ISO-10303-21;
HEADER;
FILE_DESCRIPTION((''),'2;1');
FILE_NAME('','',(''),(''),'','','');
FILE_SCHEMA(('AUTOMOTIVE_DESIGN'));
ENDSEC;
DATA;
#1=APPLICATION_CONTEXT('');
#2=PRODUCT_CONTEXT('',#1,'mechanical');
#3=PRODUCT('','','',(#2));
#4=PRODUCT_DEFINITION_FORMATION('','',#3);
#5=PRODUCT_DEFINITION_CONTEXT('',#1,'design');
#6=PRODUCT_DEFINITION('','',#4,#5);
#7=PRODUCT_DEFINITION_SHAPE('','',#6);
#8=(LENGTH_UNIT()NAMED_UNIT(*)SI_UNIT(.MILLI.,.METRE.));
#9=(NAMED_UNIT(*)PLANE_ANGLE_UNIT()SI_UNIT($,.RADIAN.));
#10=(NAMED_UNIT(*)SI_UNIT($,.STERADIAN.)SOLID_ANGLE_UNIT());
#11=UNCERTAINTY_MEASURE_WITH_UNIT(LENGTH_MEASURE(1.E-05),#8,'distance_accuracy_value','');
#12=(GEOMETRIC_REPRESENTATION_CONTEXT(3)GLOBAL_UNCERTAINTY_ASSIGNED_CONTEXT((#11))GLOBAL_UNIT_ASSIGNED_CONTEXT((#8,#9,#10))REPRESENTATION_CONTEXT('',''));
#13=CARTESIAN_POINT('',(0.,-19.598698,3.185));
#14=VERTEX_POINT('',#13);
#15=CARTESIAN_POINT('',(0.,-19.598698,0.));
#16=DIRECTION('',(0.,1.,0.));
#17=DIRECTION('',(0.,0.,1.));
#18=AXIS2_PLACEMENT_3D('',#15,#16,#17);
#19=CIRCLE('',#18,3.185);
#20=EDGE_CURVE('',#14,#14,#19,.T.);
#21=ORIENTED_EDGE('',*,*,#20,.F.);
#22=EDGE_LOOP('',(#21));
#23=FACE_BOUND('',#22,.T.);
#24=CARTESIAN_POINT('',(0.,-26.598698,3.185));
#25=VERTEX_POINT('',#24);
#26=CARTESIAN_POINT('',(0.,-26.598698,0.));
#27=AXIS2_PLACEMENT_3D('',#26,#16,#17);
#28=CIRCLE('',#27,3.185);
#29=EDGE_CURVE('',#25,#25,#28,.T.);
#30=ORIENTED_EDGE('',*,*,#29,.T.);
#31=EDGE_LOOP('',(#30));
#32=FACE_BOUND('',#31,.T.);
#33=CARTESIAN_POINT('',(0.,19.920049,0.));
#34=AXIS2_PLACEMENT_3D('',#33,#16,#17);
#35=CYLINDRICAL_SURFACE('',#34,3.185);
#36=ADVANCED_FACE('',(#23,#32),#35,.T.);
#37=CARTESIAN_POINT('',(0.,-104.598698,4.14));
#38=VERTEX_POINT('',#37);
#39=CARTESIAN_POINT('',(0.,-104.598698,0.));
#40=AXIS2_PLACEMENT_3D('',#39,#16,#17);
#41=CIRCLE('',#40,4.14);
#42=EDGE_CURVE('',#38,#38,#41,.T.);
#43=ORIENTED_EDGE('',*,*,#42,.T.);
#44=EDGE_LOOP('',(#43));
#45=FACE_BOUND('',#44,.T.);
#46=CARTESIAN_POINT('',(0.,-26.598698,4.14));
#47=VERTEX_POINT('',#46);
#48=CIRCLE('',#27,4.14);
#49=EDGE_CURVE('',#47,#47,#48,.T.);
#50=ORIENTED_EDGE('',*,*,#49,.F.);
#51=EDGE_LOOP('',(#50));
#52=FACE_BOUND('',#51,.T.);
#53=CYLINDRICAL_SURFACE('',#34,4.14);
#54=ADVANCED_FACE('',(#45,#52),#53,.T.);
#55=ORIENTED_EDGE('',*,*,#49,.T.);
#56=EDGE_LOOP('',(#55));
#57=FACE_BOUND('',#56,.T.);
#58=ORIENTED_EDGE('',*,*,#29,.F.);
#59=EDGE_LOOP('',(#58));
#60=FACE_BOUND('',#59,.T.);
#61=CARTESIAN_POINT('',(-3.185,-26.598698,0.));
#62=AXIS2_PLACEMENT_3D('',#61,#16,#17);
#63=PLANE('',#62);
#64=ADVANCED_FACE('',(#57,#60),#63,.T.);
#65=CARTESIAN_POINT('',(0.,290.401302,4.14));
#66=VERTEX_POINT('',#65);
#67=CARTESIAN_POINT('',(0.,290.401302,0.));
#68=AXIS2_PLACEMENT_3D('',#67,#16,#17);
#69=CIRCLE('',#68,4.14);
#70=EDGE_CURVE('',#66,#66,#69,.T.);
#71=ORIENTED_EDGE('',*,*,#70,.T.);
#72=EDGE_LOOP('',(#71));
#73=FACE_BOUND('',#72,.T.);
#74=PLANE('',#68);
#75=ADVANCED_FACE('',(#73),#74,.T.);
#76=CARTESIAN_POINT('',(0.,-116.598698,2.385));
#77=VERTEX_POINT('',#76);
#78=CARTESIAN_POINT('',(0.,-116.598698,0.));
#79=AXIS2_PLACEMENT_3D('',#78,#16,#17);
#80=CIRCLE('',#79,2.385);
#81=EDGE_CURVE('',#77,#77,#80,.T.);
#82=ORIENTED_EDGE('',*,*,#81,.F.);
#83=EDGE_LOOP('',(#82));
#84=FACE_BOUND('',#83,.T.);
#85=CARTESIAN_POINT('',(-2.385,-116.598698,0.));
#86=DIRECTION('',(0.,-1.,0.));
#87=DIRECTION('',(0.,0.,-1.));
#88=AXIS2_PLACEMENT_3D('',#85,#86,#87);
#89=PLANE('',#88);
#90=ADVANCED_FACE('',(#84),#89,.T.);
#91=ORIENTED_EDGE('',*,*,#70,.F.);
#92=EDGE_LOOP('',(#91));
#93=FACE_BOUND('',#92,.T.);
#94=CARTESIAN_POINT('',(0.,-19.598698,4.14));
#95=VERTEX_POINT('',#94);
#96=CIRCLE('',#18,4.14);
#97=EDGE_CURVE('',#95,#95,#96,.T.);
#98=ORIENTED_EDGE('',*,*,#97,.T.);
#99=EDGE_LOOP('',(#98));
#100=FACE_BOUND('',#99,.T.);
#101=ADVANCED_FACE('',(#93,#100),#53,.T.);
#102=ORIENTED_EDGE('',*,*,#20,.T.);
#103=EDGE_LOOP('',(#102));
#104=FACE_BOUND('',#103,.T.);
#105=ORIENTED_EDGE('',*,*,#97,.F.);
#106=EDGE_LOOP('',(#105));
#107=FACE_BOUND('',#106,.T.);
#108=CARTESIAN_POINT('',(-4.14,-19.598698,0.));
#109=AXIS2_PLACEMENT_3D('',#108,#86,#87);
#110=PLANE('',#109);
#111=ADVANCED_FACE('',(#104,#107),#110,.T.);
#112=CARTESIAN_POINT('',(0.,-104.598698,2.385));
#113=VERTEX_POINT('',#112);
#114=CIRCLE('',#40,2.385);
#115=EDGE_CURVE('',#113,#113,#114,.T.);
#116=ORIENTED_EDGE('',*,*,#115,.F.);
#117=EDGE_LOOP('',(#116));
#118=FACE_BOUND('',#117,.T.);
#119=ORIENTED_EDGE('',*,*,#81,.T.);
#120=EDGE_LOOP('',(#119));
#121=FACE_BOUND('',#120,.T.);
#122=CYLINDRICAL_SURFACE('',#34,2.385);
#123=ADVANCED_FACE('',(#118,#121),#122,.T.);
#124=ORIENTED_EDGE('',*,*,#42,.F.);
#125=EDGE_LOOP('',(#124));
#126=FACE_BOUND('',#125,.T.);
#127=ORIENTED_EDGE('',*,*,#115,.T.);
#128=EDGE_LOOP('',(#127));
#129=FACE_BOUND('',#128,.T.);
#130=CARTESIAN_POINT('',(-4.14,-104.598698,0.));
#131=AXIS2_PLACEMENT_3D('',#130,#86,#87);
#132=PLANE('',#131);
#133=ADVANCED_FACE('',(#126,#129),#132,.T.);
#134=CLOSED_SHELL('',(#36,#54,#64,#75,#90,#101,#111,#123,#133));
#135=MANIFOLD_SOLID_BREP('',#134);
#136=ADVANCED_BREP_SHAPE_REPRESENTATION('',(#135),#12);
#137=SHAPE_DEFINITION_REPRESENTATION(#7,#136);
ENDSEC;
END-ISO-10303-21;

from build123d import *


with BuildPart() as part:
    # Croquis1 → Revolución1 (revolve)
    with BuildSketch(Plane.XY):
        Polygon((0, 290.401302326), (-4.14, 290.401302326), (-4.14, -19.598697674), (-3.185, -19.598697674), (-3.185, -26.598697674), (-4.14, -26.598697674), (-4.14, -104.598697674), (-2.385, -104.598697674), (-2.385, -116.598697674), (0, -116.598697674), align=None)
    revolve(axis=Axis((0, 19.92004864, 0), (0, -1, 0)))


solid = part.part
